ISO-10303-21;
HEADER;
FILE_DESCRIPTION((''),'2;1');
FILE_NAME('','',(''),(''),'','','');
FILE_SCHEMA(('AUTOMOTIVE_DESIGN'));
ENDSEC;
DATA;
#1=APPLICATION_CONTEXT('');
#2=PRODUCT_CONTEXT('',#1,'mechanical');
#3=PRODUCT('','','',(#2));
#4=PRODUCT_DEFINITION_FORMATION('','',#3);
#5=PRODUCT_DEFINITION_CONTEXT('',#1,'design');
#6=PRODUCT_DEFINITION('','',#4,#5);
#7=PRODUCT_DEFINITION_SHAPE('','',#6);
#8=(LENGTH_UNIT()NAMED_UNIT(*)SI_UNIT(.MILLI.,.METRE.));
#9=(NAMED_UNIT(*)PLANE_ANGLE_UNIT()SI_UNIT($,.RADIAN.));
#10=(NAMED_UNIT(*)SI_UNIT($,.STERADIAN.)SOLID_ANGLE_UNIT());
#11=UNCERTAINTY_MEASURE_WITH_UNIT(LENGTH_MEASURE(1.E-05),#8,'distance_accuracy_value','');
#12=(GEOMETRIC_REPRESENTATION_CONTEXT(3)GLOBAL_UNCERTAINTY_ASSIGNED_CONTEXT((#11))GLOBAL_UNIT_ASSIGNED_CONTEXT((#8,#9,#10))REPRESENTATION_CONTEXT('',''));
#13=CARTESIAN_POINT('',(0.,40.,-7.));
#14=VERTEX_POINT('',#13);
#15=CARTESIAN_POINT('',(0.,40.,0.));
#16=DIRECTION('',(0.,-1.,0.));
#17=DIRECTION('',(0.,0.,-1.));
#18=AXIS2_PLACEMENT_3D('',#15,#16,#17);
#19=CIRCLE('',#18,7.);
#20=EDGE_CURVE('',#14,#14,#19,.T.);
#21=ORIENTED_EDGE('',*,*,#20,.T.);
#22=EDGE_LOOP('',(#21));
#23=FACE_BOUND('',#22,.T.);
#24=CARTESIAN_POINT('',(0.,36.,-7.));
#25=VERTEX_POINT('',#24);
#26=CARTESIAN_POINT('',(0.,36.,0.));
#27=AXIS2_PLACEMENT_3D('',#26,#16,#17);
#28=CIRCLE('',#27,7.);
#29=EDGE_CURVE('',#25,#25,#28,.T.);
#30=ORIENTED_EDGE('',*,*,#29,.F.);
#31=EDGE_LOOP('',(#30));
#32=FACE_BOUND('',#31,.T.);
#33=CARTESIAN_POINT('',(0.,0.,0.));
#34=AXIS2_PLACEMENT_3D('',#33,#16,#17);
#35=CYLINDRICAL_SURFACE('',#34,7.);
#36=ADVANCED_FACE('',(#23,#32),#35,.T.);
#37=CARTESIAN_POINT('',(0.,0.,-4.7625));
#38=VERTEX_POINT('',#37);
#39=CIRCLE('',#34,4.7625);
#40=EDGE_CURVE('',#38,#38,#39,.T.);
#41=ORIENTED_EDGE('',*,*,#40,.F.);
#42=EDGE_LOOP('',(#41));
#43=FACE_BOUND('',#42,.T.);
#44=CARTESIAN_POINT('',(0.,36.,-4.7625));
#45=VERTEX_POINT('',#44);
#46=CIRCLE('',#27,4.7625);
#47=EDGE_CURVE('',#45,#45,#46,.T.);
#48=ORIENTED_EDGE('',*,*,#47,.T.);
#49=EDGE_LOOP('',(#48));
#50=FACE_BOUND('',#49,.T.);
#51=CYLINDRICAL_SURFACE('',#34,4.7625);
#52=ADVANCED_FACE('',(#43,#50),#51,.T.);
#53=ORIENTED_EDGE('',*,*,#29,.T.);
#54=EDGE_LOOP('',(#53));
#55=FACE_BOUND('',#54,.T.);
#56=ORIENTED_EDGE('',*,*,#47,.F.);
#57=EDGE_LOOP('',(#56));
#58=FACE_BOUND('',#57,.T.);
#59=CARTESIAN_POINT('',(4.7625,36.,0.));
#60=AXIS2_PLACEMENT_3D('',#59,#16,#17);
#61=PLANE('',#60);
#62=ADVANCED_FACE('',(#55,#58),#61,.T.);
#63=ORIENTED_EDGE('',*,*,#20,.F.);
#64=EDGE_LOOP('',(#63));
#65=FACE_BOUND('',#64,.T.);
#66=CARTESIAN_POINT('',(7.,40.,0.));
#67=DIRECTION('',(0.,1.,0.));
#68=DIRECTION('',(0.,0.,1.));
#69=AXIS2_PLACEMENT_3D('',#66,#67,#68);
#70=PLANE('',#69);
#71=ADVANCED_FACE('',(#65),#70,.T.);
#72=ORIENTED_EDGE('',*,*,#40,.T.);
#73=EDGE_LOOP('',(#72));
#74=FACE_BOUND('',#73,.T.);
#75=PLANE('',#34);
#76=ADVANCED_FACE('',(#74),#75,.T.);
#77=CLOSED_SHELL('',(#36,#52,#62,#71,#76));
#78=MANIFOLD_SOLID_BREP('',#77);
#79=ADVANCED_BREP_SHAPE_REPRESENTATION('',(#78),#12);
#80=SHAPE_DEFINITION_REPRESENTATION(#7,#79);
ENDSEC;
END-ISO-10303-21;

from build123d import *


with BuildPart() as part:
    # Sketch1 → Revolve1 (revolve)
    with BuildSketch(Plane.XY, mode=Mode.PRIVATE) as revolve1_sk:
        Polygon((0, 0), (4.7625, 0), (4.7625, 36), (7, 36), (7, 40), (0, 40), align=None)
    revolve(revolve1_sk.sketch.rotate(Axis((0, 0, 0), (0, 1, 0)), 90), axis=Axis((0, 0, 0), (0, 1, 0)))


solid = part.part
